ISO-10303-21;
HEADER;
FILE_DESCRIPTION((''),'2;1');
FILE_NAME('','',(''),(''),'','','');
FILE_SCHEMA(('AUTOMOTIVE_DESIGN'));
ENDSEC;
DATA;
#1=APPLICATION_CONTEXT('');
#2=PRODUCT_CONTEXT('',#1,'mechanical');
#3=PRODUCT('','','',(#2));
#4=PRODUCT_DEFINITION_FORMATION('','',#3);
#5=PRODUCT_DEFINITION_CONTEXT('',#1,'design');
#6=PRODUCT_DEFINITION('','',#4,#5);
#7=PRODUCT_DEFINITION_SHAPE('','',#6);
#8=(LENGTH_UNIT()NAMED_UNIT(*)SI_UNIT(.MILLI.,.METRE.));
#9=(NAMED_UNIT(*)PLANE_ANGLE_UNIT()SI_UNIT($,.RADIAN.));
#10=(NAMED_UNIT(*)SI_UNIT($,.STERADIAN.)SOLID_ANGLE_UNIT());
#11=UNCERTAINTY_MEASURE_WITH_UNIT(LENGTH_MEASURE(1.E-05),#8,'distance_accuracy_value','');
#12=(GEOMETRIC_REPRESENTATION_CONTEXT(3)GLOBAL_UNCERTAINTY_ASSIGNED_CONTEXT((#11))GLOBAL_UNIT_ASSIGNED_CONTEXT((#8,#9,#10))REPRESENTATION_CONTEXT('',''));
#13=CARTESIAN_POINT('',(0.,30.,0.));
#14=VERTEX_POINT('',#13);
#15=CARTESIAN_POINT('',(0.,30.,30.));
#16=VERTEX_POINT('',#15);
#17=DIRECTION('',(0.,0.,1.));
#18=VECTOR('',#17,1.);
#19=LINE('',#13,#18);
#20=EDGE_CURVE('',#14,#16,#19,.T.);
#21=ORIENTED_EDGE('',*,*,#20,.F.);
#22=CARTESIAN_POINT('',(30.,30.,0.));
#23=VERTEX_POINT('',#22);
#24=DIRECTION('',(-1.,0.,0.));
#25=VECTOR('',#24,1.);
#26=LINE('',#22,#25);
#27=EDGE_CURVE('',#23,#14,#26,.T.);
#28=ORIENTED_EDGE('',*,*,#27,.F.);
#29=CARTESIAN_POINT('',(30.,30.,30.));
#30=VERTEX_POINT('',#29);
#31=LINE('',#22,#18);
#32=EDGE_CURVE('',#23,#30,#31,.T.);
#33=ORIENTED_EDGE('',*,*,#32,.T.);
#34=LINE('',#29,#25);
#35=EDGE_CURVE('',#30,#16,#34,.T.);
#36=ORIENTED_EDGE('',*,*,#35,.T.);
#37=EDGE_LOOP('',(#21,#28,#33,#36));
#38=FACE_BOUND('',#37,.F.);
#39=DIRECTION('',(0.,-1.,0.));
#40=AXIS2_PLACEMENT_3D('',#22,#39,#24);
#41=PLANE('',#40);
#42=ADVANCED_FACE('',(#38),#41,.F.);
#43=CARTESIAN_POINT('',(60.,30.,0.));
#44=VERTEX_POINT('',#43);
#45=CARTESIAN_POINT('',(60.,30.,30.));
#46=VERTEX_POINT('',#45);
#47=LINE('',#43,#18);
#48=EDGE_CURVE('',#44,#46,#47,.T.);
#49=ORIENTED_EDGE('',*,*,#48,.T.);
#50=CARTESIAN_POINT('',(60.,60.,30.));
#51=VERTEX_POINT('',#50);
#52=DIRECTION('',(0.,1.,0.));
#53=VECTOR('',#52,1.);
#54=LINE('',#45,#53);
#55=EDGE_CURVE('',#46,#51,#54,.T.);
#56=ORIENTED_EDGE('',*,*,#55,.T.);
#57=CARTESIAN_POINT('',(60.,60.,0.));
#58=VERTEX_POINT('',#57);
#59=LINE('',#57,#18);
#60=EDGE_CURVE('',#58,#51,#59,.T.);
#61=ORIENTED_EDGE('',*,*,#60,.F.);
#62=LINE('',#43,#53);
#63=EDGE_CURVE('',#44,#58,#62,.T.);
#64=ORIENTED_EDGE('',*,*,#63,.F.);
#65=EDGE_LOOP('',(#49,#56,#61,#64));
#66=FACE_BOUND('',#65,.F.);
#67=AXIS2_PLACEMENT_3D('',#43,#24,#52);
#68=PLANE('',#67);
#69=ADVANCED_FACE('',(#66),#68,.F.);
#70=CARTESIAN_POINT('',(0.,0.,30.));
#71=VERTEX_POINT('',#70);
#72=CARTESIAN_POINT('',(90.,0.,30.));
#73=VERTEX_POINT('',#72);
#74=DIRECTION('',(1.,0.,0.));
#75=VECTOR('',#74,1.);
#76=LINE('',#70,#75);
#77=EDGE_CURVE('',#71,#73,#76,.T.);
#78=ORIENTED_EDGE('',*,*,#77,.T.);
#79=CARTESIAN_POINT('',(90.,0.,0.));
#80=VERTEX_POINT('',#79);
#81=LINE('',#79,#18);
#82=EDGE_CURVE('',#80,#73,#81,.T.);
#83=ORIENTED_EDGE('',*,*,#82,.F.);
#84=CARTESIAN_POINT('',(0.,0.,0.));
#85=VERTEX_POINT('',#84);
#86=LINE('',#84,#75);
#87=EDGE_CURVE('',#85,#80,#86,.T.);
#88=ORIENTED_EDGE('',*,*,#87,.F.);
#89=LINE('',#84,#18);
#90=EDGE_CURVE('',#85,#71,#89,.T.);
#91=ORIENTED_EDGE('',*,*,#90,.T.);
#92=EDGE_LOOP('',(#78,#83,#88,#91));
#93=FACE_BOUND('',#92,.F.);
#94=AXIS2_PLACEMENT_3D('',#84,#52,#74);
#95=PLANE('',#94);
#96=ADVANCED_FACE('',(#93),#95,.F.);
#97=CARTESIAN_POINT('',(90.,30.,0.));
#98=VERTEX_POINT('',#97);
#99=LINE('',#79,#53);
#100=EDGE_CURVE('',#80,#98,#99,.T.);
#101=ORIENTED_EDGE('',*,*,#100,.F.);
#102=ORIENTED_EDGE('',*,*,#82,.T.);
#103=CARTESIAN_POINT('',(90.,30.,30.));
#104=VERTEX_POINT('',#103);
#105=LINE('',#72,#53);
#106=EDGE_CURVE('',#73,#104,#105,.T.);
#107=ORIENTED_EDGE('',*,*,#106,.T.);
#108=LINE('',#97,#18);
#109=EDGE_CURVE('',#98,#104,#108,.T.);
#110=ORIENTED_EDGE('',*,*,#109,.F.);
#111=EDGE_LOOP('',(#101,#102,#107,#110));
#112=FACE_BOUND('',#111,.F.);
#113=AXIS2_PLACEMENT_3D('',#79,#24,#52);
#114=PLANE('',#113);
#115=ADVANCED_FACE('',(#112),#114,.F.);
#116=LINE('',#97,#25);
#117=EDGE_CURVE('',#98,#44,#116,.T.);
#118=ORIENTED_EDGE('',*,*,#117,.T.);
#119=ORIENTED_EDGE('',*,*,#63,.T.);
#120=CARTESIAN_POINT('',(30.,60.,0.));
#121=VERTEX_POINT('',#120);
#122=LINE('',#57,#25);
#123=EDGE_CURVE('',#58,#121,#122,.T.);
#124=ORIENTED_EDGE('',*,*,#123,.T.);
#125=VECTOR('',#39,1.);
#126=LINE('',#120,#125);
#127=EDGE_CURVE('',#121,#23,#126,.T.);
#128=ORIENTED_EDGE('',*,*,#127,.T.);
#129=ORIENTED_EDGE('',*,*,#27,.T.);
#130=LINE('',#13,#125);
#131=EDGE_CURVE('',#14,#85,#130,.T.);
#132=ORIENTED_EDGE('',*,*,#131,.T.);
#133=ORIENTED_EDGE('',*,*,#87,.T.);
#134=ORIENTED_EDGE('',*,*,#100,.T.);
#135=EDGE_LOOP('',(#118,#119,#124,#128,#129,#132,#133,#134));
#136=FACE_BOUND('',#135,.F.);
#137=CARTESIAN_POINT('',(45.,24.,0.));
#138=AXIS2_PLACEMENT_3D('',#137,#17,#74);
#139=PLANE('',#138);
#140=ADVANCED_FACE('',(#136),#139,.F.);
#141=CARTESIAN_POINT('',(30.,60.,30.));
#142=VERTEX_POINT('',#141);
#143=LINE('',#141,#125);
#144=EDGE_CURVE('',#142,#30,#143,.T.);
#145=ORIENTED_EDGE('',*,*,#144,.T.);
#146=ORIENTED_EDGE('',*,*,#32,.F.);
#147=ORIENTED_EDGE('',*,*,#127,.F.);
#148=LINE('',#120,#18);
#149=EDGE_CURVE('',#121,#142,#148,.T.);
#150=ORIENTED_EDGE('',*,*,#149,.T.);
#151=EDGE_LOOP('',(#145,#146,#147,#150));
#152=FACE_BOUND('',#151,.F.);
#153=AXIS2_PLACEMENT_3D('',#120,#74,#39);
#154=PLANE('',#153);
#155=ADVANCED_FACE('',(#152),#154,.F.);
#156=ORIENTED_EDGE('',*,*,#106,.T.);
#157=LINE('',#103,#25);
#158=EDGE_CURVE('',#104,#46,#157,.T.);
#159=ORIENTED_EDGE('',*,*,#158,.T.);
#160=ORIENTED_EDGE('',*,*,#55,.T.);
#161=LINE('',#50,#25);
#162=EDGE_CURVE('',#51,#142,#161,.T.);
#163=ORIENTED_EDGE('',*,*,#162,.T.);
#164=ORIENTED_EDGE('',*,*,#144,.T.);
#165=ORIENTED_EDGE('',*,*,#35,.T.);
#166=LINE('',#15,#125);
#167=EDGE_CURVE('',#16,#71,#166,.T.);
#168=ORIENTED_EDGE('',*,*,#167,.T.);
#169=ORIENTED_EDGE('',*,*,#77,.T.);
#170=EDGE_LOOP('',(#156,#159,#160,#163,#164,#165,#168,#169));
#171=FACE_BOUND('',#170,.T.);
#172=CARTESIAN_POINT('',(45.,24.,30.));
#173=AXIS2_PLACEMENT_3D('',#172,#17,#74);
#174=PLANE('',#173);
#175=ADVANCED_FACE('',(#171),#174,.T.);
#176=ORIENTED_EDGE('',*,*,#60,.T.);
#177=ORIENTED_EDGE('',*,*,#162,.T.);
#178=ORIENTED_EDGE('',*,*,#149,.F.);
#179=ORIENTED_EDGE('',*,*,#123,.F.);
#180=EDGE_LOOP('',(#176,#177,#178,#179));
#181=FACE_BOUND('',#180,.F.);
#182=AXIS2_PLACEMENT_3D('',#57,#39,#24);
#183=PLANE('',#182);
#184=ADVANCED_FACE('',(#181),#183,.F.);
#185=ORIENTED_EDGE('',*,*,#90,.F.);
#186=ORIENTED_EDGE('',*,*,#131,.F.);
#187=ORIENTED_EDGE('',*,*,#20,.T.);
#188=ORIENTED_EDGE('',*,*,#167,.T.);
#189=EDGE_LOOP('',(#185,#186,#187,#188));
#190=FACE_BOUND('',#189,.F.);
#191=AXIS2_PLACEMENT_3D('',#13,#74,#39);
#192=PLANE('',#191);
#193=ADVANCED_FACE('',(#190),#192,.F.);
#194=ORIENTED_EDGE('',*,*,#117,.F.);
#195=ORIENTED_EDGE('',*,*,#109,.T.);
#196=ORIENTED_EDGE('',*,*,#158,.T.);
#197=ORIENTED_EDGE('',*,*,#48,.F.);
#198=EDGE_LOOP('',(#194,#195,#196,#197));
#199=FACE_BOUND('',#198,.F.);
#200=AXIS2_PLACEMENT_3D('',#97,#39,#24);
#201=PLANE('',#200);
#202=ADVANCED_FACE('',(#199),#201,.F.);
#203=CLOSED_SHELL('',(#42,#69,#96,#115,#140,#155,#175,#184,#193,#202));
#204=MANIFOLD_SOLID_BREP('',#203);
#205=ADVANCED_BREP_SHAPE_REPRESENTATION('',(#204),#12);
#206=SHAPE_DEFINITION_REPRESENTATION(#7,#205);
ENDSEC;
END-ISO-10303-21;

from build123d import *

# Parameters (mm, degrees)
BOSS_EXTRUDE1_DEPTH = 30


with BuildPart() as part:
    # Sketch1 → Boss-Extrude1 (new body)
    with BuildSketch(Plane.XY):
        Polygon((0, 0), (90, 0), (90, 30), (60, 30), (60, 60), (30, 60), (30, 30), (0, 30), align=None)
    extrude(amount=BOSS_EXTRUDE1_DEPTH)


solid = part.part
